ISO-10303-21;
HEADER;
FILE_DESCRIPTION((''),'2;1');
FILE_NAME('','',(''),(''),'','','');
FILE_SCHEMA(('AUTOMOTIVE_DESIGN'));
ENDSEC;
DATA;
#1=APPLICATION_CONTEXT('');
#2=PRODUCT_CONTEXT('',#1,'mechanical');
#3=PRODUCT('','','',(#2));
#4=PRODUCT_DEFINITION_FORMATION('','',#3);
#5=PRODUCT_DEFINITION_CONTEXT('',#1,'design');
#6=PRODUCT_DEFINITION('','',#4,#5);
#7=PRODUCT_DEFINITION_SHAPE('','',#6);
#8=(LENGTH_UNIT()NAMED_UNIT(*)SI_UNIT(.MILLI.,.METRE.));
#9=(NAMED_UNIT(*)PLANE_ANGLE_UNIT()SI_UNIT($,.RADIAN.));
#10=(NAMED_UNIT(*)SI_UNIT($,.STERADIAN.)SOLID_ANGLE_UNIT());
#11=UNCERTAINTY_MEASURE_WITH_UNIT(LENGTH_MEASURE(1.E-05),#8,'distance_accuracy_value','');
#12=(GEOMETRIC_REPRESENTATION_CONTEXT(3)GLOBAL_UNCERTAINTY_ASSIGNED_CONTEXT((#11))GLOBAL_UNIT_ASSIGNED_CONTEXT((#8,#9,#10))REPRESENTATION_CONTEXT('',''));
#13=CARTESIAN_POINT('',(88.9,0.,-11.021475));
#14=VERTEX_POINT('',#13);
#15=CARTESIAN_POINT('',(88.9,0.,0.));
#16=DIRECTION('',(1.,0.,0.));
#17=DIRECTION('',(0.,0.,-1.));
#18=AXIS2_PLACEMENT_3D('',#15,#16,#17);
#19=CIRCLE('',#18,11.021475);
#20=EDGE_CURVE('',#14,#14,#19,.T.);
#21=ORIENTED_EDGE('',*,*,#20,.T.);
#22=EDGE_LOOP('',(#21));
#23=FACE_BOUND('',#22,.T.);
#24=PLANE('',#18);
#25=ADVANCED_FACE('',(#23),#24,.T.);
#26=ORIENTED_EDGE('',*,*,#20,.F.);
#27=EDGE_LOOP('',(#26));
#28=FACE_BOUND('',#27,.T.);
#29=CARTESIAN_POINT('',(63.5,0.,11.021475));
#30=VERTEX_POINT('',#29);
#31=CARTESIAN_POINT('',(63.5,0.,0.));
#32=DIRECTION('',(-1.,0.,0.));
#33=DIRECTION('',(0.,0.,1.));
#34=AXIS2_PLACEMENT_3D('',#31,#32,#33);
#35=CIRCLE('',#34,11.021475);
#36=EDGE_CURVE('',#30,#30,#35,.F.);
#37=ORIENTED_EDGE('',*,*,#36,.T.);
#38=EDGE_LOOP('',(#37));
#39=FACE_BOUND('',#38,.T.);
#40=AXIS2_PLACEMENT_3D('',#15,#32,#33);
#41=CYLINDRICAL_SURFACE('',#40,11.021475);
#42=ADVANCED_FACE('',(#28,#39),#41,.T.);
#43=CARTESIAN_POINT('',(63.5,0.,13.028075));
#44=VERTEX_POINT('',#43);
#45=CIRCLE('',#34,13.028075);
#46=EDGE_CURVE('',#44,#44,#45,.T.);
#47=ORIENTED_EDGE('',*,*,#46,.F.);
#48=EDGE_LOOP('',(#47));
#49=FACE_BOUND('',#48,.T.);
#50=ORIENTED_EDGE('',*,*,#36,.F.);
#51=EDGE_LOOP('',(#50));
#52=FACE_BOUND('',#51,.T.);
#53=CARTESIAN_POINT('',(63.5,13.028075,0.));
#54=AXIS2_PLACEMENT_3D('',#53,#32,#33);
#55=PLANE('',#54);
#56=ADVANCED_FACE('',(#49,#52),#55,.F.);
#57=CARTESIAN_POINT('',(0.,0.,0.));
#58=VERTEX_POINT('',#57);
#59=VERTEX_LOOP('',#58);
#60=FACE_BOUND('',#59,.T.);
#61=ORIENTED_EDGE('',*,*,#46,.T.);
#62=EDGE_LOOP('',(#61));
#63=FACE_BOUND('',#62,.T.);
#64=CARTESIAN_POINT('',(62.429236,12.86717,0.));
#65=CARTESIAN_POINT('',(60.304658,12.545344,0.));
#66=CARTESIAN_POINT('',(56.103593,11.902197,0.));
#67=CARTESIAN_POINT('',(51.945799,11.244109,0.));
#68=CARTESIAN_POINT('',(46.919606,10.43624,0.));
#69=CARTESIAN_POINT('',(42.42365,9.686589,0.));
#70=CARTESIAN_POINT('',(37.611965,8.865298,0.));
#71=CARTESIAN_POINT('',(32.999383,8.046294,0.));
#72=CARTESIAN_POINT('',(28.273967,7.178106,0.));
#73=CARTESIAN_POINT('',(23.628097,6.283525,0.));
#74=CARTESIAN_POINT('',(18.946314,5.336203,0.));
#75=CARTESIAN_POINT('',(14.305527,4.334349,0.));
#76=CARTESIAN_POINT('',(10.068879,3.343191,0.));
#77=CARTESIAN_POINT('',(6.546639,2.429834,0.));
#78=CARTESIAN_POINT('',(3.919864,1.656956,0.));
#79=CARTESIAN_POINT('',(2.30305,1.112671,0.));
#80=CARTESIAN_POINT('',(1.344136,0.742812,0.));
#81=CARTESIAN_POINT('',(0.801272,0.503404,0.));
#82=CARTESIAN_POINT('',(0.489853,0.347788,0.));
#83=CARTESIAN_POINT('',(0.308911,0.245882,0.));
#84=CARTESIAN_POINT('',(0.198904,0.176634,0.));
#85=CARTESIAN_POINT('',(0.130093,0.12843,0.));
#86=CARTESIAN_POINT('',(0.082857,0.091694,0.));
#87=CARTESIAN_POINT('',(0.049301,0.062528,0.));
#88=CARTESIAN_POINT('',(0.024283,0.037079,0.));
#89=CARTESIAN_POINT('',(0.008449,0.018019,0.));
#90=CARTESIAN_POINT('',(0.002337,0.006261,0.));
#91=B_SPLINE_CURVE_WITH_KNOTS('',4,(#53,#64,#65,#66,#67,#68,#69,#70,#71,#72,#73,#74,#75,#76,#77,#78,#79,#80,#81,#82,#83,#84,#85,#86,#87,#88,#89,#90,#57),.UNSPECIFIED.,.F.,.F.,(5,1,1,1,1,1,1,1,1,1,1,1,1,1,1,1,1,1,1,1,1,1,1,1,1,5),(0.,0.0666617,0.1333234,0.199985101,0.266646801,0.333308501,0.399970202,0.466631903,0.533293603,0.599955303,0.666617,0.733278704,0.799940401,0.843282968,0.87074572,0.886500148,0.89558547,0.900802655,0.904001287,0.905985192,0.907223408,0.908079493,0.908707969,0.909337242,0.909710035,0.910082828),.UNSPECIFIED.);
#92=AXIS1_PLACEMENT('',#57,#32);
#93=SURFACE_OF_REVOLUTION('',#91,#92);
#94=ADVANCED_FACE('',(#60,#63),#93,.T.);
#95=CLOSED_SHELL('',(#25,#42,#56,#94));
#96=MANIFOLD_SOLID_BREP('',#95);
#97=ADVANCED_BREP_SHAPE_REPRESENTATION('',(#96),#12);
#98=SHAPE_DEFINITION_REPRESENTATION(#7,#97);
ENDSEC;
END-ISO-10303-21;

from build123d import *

# Parameters (mm, degrees)
SKETCH2_R           = 11.021474984
BOSS_EXTRUDE1_DEPTH = 25.4


with BuildPart() as part:
    # Sketch1 → Revolve1 (revolve)
    with BuildSketch(Plane.XY):
        with BuildLine():
            Line((0, 0), (63.5, 0))
            Line((63.5, 0), (63.5, 13.028074984))
            add(Edge.make_bspline(
                [(0, 0), (0.002336833, 0.006261243), (0.008449108, 0.018018878), (0.024282699, 0.03707865), (0.049301381, 0.062528261), (0.08285746, 0.091694078), (0.130092662, 0.128429562), (0.198903613, 0.176633842), (0.30891132, 0.245881724), (0.489853363, 0.347787552), (0.801272327, 0.503404043), (1.344136271, 0.742812456), (2.303049814, 1.112670534), (3.919864292, 1.656956496), (6.546639289, 2.429833778), (10.068878534, 3.343191013), (14.305527269, 4.334349194), (18.946313889, 5.336202581), (23.628097401, 6.283524727), (28.273967135, 7.178106017), (32.999382683, 8.046293889), (37.611964806, 8.865298109), (42.423650353, 9.686589349), (46.919606109, 10.436239642), (51.945798569, 11.244109234), (56.103593098, 11.902196623), (60.304657925, 12.545344223), (62.429235615, 12.867169996), (63.5, 13.028074984)],
                knots=[0, 0, 0, 0, 0, 0.000372793, 0.000745586, 0.001374859, 0.002003335, 0.00285942, 0.004097636, 0.006081541, 0.009280173, 0.014497358, 0.02358268, 0.039337108, 0.06679986, 0.110142427, 0.176804124, 0.243465828, 0.310127525, 0.376789225, 0.443450925, 0.510112626, 0.576774327, 0.643436027, 0.710097727, 0.776759427, 0.843421128, 0.910082828, 0.910082828, 0.910082828, 0.910082828, 0.910082828], degree=4))
        make_face()
    revolve(axis=Axis((0, 0, 0), (1, 0, 0)))

    # Sketch2 → Boss-Extrude1 (add)
    with BuildSketch(Plane(origin=(63.5, 0, 0), x_dir=(0, 0, -1), z_dir=(1, 0, 0))):
        with Locations(Location((0, 0, 0), (0, 0, 180))):
            Circle(SKETCH2_R)
    extrude(amount=BOSS_EXTRUDE1_DEPTH)


solid = part.part
